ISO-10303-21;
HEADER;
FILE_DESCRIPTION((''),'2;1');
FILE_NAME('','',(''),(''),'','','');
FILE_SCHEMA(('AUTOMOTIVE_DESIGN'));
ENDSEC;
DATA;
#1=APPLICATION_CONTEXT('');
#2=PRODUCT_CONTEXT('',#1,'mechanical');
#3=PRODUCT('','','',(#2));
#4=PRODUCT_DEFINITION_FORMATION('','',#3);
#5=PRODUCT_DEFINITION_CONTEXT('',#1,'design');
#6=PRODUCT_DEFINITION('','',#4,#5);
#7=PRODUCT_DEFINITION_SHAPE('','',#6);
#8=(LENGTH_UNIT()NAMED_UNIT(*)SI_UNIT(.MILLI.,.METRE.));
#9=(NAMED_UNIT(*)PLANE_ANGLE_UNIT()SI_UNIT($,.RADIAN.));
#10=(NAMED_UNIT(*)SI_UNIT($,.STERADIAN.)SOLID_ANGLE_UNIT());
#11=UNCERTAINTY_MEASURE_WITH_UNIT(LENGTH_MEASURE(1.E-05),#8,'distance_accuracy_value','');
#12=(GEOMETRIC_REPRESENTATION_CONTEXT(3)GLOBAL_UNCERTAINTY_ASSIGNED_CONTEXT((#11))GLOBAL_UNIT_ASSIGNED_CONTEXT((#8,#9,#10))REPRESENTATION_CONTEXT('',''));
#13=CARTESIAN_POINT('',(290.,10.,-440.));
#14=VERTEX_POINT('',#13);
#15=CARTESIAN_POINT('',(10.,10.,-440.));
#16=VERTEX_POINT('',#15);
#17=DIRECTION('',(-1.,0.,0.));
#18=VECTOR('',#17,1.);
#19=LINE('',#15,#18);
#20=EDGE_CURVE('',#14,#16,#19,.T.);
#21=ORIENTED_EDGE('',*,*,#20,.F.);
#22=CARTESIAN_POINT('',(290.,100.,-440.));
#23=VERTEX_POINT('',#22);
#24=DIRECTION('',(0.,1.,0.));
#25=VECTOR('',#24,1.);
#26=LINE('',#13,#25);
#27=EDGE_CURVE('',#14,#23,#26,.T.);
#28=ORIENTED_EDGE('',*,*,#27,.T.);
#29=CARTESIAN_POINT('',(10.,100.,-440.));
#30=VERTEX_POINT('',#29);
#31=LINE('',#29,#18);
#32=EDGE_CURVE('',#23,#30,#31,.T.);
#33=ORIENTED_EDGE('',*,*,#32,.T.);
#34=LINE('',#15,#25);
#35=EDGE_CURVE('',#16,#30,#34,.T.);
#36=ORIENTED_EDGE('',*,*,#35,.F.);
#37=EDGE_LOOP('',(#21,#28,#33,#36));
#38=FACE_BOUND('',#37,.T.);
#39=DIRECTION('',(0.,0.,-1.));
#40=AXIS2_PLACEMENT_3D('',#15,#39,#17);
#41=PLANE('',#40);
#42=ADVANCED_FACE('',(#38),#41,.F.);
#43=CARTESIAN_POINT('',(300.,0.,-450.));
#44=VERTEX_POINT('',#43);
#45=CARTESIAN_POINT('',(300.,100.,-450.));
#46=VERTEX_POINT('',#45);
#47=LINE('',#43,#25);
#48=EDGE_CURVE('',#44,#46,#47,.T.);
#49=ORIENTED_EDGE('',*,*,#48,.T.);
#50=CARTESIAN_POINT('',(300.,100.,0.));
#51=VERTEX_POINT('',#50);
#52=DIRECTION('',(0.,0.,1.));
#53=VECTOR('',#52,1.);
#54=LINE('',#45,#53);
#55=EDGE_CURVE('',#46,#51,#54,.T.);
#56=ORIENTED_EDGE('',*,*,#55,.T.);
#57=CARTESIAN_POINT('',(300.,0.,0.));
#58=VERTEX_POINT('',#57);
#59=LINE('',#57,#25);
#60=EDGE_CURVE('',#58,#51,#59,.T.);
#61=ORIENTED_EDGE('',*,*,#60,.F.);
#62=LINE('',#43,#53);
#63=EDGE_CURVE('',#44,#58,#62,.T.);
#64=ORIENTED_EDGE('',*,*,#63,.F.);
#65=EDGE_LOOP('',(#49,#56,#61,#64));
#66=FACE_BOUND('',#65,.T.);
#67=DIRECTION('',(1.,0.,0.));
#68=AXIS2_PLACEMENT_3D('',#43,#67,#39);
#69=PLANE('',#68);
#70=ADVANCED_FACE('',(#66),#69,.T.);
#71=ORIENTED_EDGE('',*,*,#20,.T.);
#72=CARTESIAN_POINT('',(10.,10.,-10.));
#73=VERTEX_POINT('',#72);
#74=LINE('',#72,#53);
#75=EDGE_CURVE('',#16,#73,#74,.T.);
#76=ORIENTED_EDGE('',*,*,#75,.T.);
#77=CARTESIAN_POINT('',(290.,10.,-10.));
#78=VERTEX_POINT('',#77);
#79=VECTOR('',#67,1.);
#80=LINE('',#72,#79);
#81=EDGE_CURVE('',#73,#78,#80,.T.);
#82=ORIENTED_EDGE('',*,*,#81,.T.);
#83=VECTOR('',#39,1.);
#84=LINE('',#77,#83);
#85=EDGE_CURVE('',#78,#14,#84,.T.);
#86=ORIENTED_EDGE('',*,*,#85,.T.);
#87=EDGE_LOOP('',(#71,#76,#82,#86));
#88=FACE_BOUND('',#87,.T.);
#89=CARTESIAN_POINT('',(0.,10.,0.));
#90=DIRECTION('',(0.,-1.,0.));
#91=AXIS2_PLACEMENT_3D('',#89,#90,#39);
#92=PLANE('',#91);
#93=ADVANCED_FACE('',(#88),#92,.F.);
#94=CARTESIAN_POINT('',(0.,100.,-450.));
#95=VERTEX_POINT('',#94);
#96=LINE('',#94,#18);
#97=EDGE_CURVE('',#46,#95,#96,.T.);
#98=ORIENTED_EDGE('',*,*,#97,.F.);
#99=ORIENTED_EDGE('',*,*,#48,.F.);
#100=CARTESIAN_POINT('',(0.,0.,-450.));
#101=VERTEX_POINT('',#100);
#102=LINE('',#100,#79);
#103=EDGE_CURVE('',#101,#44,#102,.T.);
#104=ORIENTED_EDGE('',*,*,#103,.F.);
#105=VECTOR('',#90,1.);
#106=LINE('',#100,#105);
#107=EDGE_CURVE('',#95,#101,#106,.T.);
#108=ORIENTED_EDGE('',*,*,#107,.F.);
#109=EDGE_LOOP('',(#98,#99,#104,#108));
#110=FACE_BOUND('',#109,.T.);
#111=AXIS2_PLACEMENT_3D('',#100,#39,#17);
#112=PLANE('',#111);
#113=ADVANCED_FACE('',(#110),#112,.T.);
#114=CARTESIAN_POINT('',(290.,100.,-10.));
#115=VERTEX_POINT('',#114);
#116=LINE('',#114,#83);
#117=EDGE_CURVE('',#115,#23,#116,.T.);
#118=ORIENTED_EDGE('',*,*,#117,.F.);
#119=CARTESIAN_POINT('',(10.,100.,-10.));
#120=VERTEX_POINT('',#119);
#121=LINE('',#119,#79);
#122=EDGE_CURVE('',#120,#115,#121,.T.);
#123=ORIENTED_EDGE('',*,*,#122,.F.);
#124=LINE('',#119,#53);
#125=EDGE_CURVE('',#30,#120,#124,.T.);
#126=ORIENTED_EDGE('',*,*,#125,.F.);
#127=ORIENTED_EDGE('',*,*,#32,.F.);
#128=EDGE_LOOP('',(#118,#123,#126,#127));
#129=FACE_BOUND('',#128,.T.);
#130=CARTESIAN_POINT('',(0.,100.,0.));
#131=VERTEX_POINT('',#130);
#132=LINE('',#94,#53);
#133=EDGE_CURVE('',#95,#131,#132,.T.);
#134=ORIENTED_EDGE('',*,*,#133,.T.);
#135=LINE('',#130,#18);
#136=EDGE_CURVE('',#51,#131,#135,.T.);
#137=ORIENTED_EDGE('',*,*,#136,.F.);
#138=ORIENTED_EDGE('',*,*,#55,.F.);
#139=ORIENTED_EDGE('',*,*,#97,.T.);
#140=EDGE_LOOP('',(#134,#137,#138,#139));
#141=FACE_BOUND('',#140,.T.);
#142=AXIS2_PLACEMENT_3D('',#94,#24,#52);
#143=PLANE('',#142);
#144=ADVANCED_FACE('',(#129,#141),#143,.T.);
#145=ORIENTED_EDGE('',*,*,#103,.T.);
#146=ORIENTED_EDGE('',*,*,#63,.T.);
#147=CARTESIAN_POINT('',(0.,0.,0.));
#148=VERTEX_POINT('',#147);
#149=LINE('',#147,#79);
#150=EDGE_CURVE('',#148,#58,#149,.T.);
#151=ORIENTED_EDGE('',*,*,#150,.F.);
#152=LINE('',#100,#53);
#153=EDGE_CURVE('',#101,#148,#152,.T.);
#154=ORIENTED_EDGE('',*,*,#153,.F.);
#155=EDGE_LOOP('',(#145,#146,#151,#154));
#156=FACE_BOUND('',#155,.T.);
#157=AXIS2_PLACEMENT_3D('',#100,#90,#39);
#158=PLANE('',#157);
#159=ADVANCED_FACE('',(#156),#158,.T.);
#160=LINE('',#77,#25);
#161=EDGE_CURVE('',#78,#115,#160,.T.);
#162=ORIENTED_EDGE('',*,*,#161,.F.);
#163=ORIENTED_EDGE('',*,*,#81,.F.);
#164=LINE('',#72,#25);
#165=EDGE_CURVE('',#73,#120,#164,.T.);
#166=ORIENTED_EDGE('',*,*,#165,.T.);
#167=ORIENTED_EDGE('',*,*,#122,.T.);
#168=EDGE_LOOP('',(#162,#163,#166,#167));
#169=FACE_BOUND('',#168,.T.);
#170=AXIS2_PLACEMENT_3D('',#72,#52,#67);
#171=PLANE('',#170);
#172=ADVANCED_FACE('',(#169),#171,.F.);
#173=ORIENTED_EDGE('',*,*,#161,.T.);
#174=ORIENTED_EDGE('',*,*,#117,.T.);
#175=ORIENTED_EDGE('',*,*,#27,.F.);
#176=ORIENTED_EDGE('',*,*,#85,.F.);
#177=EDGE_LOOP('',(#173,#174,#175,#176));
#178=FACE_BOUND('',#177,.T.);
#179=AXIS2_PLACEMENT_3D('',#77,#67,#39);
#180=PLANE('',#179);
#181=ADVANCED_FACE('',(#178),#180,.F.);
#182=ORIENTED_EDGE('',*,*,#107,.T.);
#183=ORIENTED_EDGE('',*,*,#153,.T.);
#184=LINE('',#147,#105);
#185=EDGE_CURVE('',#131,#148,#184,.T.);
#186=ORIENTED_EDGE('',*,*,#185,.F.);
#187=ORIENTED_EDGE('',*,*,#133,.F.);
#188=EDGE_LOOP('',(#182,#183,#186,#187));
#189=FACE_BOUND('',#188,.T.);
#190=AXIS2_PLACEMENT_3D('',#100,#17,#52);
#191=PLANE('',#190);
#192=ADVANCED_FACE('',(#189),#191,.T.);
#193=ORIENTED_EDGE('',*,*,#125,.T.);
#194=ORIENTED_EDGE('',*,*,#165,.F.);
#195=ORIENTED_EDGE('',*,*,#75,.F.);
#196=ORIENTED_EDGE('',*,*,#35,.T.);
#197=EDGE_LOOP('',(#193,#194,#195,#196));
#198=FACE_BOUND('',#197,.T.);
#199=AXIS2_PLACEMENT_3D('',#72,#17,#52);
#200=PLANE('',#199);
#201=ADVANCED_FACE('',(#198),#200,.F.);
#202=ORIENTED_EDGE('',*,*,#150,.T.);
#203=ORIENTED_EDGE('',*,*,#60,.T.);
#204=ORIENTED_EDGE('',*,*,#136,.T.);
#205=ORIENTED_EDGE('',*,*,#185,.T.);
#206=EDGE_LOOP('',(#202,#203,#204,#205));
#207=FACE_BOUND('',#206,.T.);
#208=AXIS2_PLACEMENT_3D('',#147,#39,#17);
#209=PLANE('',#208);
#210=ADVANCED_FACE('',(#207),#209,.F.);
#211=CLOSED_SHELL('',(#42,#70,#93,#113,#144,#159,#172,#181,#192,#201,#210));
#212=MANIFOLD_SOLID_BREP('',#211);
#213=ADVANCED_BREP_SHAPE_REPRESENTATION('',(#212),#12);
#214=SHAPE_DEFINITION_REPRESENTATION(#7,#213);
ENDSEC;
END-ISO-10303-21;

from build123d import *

# Parameters (mm, degrees)
CROQUIS1_W              = 300
CROQUIS1_H              = 100
SALIENTE_EXTRUIR1_DEPTH = 450
CROQUIS2_W              = 280
CROQUIS2_H              = 430
CORTAR_EXTRUIR1_DEPTH   = 90


with BuildPart() as part:
    # Croquis1 → Saliente-Extruir1 (new body)
    with BuildSketch(Plane.XY):
        with Locations((150, 50)):
            Rectangle(CROQUIS1_W, CROQUIS1_H)
    extrude(amount=-SALIENTE_EXTRUIR1_DEPTH)

    # Croquis2 → Cortar-Extruir1 (cut)
    with BuildSketch(Plane(origin=(0, 100, 0), x_dir=(1, 0, 0), z_dir=(0, 1, 0))):
        with Locations((150, 225)):
            Rectangle(CROQUIS2_W, CROQUIS2_H)
    extrude(amount=-CORTAR_EXTRUIR1_DEPTH, mode=Mode.SUBTRACT)


solid = part.part
